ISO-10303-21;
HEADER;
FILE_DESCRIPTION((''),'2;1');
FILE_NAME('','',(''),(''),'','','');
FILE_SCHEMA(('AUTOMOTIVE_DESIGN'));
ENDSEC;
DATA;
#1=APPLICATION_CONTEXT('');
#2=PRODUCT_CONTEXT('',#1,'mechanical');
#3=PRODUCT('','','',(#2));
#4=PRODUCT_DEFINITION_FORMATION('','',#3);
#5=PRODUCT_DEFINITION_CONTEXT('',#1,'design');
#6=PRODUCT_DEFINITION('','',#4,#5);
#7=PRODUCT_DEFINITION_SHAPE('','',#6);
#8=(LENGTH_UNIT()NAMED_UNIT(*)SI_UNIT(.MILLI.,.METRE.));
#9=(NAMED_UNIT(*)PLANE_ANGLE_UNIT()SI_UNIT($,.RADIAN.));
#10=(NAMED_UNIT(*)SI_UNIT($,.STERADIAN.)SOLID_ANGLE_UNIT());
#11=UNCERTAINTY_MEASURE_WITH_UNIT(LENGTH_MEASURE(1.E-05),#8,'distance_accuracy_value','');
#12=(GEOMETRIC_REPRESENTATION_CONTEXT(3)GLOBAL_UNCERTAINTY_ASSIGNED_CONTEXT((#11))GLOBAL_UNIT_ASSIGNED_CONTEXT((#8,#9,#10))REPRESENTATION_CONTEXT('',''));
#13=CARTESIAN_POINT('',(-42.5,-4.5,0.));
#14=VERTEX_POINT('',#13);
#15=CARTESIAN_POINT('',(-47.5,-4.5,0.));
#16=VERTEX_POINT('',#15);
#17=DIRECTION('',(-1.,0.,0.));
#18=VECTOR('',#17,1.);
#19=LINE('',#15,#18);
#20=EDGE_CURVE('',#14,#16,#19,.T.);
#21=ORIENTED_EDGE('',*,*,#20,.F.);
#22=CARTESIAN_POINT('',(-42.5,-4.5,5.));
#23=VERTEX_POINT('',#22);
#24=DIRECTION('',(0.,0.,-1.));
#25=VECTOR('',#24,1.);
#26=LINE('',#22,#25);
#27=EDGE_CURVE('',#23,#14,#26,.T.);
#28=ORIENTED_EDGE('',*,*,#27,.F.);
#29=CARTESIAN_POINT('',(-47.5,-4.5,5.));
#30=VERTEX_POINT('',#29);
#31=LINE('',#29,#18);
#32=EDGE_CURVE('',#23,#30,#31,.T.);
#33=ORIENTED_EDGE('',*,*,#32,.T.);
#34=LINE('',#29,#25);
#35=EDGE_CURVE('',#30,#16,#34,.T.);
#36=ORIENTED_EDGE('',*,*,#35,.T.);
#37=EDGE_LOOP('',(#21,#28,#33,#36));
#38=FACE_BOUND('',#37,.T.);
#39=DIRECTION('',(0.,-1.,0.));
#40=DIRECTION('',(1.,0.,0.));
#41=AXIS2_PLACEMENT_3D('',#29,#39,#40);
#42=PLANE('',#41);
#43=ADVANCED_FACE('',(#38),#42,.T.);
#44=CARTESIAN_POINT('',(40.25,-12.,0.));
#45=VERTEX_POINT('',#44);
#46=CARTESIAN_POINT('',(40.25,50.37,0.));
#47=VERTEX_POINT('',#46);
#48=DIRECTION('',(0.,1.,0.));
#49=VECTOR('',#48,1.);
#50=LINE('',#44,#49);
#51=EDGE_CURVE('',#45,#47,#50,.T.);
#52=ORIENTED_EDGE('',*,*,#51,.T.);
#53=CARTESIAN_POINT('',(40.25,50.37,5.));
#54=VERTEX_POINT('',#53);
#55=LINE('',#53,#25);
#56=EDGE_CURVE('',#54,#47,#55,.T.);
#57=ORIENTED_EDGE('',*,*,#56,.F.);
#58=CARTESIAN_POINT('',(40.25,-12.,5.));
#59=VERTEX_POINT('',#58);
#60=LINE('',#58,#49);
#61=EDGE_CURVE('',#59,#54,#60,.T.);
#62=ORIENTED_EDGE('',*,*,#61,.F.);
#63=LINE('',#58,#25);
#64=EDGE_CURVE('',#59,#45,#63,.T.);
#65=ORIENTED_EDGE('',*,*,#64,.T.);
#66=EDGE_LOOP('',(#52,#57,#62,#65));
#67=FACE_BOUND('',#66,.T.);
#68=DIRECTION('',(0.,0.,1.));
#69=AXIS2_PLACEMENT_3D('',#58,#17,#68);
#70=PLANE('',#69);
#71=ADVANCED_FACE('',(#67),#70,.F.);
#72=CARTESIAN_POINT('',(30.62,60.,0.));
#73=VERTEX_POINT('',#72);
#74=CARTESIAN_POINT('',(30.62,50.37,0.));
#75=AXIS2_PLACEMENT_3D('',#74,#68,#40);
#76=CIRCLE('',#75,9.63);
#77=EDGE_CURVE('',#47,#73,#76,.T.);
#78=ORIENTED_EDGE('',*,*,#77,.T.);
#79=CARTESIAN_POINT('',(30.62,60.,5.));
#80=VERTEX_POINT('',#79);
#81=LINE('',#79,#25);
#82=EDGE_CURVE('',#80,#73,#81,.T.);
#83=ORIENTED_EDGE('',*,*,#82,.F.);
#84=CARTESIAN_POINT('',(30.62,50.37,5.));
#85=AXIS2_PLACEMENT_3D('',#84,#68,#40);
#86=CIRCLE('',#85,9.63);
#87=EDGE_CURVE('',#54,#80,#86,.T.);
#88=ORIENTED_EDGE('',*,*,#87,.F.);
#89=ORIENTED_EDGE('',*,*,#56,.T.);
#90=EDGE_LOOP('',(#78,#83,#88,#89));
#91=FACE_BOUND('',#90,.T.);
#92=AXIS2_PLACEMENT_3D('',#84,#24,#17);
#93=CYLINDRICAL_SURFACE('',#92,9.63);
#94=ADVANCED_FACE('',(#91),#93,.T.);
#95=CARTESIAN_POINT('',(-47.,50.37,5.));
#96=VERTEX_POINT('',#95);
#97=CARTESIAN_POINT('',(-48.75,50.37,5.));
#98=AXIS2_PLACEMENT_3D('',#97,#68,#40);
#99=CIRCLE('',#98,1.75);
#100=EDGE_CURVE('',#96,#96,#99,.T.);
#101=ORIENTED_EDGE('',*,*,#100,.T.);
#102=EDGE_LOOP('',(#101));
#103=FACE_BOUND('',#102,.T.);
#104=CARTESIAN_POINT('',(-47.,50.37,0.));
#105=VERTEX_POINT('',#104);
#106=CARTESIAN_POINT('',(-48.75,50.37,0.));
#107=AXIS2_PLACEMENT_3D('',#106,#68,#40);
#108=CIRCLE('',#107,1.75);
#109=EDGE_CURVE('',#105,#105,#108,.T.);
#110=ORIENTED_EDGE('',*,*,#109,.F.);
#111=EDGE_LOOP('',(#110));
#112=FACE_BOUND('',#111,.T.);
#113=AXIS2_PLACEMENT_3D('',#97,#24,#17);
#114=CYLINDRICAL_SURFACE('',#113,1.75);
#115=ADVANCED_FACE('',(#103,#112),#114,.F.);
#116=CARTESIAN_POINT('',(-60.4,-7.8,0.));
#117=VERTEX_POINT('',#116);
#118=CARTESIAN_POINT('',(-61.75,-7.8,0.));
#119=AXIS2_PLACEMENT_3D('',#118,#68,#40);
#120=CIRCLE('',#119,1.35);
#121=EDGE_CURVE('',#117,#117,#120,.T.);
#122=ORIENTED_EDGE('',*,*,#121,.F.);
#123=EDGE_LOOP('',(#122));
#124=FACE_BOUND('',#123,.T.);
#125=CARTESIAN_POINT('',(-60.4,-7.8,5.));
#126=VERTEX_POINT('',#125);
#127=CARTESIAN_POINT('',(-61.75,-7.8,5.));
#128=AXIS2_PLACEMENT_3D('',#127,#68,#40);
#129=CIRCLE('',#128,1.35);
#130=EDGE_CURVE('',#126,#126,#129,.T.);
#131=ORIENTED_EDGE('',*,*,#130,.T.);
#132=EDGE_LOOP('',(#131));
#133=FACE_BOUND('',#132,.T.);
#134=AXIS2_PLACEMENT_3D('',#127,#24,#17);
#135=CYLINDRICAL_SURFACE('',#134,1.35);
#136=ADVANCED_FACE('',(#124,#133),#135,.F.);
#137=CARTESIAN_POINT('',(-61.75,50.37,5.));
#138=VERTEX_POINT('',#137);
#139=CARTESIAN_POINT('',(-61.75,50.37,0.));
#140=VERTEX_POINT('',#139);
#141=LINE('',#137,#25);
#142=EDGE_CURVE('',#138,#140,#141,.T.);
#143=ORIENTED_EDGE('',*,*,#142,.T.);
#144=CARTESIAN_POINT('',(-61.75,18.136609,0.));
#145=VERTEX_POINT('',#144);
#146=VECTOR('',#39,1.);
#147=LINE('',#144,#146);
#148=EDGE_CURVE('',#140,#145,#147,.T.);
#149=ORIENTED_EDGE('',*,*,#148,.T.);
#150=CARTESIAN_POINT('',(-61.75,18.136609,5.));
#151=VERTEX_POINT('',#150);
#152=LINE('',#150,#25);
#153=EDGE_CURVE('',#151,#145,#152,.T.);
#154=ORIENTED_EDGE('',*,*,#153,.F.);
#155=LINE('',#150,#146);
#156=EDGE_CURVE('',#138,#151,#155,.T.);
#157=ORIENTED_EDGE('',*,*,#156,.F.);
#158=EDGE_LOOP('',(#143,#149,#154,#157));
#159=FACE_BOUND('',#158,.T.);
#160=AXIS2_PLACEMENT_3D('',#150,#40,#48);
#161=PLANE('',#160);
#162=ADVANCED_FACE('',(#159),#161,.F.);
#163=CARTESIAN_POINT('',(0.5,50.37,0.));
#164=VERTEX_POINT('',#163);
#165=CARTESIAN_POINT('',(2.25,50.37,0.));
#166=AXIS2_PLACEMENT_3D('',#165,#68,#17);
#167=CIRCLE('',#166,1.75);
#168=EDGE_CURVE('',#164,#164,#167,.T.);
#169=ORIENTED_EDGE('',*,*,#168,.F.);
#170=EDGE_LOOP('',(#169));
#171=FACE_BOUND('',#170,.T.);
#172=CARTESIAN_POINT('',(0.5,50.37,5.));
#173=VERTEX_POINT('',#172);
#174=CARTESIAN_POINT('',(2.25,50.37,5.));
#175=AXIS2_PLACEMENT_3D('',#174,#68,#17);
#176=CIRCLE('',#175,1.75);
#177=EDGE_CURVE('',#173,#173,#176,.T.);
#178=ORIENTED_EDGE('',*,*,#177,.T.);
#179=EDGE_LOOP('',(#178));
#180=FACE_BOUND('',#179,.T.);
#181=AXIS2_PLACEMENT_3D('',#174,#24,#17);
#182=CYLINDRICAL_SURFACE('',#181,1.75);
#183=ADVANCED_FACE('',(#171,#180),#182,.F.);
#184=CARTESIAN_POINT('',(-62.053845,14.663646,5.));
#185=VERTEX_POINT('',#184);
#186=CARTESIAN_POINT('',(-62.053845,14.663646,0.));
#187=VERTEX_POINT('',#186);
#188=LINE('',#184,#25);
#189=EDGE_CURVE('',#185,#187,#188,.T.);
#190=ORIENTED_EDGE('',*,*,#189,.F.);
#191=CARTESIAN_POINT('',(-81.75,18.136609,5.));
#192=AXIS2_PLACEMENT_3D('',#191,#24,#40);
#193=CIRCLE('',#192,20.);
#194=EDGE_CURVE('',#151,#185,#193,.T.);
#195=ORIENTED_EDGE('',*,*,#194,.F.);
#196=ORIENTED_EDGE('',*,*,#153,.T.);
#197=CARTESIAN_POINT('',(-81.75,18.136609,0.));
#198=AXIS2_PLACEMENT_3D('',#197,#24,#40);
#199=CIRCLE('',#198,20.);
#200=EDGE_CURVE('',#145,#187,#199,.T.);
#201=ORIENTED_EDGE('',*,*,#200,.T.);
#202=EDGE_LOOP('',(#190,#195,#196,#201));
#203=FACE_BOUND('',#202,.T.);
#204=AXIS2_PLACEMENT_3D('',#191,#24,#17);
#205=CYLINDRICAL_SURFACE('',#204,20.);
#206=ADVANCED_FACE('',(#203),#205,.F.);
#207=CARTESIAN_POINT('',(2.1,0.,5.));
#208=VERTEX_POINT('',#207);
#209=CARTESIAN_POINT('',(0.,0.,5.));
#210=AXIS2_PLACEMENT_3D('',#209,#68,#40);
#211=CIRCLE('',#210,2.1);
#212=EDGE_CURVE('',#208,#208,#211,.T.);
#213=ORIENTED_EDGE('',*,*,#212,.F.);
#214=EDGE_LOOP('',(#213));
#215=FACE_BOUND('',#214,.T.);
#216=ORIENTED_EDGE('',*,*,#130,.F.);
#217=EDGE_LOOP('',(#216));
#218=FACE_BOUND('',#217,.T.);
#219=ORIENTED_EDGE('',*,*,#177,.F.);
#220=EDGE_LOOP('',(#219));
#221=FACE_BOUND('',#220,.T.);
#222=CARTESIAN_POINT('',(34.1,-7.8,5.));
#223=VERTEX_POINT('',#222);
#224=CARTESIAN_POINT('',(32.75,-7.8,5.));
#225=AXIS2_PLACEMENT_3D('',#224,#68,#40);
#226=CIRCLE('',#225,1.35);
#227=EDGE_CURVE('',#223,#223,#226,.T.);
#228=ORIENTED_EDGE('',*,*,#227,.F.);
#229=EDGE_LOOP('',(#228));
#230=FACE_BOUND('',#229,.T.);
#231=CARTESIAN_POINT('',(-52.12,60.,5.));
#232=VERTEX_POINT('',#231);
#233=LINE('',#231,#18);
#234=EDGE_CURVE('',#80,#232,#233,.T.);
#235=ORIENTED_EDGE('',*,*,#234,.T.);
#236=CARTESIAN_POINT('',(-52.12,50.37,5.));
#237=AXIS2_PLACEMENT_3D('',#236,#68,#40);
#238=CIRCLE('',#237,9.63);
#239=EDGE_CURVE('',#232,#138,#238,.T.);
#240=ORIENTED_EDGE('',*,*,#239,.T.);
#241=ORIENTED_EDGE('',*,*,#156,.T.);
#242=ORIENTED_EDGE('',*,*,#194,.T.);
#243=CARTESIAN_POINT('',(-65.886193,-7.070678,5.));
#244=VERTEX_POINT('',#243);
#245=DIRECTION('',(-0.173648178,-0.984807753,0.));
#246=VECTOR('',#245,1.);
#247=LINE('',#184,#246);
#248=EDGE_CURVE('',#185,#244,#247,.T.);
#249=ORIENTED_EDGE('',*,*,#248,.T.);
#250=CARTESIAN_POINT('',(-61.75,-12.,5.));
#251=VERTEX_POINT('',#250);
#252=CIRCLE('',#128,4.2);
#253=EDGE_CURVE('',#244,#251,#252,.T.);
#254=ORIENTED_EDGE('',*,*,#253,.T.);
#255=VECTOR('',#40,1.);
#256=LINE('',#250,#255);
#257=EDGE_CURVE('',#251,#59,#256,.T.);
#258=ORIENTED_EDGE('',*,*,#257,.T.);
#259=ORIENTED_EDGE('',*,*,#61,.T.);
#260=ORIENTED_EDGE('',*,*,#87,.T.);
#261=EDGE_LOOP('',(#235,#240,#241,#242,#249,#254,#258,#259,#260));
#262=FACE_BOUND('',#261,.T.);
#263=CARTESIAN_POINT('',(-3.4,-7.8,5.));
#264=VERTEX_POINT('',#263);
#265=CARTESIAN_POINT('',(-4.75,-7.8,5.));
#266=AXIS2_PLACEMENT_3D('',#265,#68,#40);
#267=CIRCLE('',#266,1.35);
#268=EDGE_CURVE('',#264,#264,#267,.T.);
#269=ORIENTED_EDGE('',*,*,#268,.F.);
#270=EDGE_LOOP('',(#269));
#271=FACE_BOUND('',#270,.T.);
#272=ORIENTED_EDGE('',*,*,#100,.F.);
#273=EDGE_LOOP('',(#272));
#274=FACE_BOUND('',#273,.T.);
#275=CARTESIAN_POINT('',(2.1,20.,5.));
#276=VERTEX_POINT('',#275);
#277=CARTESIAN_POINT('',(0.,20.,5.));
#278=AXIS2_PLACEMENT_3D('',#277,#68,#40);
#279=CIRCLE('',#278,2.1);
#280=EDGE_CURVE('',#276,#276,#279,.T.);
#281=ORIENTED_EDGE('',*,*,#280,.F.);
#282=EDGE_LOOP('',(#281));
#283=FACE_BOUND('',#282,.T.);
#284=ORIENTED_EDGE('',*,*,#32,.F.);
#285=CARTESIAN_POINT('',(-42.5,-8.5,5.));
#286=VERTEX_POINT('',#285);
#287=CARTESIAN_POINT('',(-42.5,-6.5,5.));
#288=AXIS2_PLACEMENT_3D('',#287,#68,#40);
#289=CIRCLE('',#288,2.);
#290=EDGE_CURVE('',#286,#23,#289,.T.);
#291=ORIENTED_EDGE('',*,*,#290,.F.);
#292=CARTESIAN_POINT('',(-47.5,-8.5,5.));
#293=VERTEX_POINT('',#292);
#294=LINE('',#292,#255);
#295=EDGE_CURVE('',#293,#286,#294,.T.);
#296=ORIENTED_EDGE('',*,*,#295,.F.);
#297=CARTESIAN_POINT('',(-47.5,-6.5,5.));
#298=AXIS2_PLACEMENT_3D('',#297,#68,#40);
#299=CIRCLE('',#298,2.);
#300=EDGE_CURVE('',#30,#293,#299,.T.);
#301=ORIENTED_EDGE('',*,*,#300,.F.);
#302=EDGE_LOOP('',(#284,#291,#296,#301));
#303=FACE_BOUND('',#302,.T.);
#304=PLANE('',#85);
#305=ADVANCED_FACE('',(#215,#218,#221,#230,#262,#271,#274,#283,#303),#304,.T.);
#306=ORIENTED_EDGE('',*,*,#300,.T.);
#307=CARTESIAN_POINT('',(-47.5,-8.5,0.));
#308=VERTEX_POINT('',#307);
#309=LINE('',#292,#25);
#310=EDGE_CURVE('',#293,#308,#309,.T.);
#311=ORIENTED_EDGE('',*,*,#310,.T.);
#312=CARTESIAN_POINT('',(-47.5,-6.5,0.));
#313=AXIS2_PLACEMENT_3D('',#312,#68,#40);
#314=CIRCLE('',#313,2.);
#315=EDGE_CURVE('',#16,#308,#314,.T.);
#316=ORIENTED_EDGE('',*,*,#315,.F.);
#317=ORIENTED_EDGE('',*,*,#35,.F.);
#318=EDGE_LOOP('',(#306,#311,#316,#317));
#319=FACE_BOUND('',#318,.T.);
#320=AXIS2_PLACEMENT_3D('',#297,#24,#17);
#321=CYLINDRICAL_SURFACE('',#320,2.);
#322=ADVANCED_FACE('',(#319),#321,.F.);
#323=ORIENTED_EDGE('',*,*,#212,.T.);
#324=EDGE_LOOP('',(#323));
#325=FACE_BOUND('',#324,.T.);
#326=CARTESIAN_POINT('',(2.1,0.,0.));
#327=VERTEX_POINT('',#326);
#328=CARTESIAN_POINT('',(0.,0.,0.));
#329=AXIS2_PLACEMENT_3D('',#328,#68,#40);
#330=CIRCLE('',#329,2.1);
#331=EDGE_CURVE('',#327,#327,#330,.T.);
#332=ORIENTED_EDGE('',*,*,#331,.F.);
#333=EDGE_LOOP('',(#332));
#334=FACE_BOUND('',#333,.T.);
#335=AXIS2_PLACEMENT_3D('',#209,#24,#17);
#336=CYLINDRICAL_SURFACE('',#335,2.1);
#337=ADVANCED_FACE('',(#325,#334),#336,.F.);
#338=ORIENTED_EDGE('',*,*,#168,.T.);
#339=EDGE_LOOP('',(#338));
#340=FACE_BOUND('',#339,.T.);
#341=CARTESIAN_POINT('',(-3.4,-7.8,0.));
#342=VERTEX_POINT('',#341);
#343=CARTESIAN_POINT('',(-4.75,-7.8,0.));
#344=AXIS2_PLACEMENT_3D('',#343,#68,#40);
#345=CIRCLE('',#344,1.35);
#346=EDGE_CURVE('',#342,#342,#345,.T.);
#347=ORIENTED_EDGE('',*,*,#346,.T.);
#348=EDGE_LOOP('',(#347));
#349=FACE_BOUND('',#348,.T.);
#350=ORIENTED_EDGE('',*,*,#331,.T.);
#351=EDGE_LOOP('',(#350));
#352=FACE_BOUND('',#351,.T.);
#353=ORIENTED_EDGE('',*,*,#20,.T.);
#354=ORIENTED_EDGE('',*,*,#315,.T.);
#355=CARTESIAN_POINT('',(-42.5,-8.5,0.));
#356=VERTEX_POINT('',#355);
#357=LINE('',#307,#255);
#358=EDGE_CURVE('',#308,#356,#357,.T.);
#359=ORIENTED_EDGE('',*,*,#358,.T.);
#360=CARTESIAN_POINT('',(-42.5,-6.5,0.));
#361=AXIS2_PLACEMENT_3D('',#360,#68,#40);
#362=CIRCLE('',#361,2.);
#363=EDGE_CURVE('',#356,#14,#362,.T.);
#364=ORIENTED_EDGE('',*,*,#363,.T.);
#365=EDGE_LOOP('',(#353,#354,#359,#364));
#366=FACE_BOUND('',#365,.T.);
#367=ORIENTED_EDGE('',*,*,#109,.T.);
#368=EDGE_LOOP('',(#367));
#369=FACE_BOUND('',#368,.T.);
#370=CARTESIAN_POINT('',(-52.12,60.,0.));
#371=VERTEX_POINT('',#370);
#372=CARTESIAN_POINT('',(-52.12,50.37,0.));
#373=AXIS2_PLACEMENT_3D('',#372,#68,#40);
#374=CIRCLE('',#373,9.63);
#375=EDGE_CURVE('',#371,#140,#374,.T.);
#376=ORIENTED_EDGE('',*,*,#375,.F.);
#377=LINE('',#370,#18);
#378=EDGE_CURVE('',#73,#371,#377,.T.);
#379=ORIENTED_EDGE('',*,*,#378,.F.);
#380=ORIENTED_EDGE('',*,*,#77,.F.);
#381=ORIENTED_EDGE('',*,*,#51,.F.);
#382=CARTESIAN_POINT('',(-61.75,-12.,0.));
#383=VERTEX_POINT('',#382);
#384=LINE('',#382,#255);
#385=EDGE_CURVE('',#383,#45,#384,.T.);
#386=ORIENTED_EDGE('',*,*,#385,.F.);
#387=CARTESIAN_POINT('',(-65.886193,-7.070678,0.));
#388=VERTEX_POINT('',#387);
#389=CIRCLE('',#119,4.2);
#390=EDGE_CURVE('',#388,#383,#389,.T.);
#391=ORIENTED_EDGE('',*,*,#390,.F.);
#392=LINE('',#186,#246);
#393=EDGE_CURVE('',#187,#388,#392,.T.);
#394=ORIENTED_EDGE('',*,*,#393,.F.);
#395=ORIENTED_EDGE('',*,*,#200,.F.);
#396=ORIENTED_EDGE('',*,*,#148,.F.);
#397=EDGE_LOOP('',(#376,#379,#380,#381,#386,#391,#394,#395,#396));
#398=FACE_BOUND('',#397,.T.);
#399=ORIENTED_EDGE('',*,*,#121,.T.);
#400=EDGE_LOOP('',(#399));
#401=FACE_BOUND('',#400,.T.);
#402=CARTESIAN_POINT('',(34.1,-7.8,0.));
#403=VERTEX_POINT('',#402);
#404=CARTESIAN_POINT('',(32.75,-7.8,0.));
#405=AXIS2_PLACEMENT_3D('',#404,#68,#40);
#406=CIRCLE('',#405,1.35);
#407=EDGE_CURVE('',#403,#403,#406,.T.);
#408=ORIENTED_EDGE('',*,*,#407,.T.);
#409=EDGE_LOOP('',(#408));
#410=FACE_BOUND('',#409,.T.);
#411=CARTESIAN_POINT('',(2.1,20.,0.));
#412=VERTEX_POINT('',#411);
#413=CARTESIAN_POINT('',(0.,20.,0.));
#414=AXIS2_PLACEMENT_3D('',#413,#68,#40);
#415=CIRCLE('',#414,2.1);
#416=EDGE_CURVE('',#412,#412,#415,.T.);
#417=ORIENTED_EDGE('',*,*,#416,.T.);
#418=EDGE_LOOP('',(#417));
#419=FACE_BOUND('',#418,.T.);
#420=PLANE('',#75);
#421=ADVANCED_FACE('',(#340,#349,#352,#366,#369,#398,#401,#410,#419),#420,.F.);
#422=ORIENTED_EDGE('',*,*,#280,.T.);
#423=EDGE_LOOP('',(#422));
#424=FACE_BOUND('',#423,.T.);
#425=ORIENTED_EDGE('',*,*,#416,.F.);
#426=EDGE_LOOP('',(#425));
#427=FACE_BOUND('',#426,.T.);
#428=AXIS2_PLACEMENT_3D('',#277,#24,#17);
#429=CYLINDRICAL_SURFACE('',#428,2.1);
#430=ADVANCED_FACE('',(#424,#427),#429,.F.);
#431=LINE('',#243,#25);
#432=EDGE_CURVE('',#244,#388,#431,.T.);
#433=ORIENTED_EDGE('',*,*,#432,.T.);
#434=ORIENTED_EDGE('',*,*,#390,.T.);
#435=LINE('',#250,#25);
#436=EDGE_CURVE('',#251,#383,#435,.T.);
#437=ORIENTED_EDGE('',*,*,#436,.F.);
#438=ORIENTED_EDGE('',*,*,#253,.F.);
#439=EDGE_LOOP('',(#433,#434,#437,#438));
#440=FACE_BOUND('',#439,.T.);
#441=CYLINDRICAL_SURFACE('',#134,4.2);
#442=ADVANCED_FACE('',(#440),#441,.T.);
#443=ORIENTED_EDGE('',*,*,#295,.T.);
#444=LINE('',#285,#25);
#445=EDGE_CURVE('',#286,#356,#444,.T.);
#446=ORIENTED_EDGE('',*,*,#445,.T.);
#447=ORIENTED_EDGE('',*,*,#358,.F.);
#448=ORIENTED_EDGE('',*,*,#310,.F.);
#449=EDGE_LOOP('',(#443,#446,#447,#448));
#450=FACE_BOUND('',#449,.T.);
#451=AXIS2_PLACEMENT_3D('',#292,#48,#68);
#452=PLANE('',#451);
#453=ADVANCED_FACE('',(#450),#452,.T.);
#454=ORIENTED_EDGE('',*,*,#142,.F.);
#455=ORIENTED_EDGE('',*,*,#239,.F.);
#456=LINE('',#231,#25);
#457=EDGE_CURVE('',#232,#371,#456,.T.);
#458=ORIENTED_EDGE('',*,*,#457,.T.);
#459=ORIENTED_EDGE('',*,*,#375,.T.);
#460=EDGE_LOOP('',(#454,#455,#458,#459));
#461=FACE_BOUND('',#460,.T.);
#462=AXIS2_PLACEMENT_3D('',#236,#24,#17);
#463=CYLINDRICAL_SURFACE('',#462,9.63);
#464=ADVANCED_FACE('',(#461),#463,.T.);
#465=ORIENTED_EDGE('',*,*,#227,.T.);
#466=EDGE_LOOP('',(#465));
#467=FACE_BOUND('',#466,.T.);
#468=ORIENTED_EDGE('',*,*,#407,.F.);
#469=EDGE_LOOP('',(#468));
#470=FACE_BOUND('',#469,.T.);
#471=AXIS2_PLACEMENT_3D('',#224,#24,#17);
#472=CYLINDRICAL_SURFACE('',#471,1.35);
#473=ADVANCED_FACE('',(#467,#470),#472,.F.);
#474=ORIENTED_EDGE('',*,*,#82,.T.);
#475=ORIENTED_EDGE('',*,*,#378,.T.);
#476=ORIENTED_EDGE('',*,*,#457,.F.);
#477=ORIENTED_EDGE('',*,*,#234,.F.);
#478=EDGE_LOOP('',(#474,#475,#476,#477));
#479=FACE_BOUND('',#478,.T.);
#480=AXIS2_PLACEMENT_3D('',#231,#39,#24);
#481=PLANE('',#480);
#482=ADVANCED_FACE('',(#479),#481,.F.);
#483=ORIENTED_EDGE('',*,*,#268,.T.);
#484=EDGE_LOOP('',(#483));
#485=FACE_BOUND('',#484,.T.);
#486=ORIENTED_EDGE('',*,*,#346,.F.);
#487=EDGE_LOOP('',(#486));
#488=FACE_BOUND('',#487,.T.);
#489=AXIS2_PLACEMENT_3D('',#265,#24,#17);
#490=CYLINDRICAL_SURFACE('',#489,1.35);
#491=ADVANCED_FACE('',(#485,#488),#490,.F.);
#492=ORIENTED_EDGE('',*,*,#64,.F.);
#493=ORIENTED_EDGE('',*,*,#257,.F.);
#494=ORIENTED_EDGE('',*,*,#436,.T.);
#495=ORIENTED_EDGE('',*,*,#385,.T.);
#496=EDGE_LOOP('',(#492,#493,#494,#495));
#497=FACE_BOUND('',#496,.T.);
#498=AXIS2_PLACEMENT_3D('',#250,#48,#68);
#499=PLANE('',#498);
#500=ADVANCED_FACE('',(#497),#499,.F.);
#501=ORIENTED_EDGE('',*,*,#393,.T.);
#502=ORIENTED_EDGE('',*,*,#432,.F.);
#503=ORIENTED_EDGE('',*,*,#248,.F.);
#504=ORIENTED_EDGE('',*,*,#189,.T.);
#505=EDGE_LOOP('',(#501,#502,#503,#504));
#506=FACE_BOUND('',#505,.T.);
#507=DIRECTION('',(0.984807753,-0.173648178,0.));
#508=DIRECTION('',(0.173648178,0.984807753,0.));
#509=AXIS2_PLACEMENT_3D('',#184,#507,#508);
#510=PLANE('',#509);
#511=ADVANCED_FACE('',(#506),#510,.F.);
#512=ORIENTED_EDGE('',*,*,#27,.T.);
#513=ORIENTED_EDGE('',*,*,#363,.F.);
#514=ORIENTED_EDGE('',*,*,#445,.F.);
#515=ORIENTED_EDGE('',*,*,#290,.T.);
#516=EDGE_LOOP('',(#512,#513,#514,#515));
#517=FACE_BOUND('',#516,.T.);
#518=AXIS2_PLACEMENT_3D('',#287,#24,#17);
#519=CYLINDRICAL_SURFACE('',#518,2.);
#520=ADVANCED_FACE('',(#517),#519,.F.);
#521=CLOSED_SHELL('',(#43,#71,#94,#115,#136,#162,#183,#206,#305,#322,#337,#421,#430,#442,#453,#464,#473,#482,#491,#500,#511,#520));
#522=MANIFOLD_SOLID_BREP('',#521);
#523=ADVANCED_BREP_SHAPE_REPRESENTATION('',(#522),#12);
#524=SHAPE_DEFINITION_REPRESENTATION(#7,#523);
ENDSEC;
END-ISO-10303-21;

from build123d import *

# Parameters (mm, degrees)
SKETCH1_R           = 2.1
SKETCH1_R_2         = 1.75
SKETCH1_R_3         = 1.35
BOSS_EXTRUDE1_DEPTH = 5


with BuildPart() as part:
    # Sketch1 → Boss-Extrude1 (new body)
    with BuildSketch(Plane.XY):
        with BuildLine():
            Line((-62.05384494, 14.663645746), (-65.886192563, -7.070677654))
            ThreePointArc((-65.886192563, -7.070677654), (-64.967386661, -10.499707961), (-61.75, -12))
            Line((-61.75, -12), (40.25, -12))
            Line((40.25, -12), (40.25, 50.37))
            ThreePointArc((40.25, 50.37), (37.429438303, 57.179438303), (30.62, 60))
            Line((30.62, 60), (-52.12, 60))
            ThreePointArc((-52.12, 60), (-58.929438303, 57.179438303), (-61.75, 50.37))
            Line((-61.75, 50.37), (-61.75, 18.1366093))
            ThreePointArc((-61.75, 18.1366093), (-61.826106038, 16.393494445), (-62.05384494, 14.663645746))
        make_face()
        Circle(SKETCH1_R, mode=Mode.SUBTRACT)
        with Locations((-48.75, 50.37)):
            Circle(SKETCH1_R_2, mode=Mode.SUBTRACT)
        with Locations((32.75, -7.8)):
            Circle(SKETCH1_R_3, mode=Mode.SUBTRACT)
        with Locations((2.25, 50.37)):
            Circle(SKETCH1_R_2, mode=Mode.SUBTRACT)
        with Locations((-61.75, -7.8)):
            Circle(SKETCH1_R_3, mode=Mode.SUBTRACT)
        with Locations((-4.75, -7.8)):
            Circle(SKETCH1_R_3, mode=Mode.SUBTRACT)
        with Locations((0, 20)):
            Circle(SKETCH1_R, mode=Mode.SUBTRACT)
        with BuildLine():
            Line((-47.5, -4.5), (-42.5, -4.5))
            ThreePointArc((-42.5, -4.5), (-40.5, -6.5), (-42.5, -8.5))
            Line((-42.5, -8.5), (-47.5, -8.5))
            ThreePointArc((-47.5, -8.5), (-49.5, -6.5), (-47.5, -4.5))
        make_face(mode=Mode.SUBTRACT)
    extrude(amount=BOSS_EXTRUDE1_DEPTH)


solid = part.part
